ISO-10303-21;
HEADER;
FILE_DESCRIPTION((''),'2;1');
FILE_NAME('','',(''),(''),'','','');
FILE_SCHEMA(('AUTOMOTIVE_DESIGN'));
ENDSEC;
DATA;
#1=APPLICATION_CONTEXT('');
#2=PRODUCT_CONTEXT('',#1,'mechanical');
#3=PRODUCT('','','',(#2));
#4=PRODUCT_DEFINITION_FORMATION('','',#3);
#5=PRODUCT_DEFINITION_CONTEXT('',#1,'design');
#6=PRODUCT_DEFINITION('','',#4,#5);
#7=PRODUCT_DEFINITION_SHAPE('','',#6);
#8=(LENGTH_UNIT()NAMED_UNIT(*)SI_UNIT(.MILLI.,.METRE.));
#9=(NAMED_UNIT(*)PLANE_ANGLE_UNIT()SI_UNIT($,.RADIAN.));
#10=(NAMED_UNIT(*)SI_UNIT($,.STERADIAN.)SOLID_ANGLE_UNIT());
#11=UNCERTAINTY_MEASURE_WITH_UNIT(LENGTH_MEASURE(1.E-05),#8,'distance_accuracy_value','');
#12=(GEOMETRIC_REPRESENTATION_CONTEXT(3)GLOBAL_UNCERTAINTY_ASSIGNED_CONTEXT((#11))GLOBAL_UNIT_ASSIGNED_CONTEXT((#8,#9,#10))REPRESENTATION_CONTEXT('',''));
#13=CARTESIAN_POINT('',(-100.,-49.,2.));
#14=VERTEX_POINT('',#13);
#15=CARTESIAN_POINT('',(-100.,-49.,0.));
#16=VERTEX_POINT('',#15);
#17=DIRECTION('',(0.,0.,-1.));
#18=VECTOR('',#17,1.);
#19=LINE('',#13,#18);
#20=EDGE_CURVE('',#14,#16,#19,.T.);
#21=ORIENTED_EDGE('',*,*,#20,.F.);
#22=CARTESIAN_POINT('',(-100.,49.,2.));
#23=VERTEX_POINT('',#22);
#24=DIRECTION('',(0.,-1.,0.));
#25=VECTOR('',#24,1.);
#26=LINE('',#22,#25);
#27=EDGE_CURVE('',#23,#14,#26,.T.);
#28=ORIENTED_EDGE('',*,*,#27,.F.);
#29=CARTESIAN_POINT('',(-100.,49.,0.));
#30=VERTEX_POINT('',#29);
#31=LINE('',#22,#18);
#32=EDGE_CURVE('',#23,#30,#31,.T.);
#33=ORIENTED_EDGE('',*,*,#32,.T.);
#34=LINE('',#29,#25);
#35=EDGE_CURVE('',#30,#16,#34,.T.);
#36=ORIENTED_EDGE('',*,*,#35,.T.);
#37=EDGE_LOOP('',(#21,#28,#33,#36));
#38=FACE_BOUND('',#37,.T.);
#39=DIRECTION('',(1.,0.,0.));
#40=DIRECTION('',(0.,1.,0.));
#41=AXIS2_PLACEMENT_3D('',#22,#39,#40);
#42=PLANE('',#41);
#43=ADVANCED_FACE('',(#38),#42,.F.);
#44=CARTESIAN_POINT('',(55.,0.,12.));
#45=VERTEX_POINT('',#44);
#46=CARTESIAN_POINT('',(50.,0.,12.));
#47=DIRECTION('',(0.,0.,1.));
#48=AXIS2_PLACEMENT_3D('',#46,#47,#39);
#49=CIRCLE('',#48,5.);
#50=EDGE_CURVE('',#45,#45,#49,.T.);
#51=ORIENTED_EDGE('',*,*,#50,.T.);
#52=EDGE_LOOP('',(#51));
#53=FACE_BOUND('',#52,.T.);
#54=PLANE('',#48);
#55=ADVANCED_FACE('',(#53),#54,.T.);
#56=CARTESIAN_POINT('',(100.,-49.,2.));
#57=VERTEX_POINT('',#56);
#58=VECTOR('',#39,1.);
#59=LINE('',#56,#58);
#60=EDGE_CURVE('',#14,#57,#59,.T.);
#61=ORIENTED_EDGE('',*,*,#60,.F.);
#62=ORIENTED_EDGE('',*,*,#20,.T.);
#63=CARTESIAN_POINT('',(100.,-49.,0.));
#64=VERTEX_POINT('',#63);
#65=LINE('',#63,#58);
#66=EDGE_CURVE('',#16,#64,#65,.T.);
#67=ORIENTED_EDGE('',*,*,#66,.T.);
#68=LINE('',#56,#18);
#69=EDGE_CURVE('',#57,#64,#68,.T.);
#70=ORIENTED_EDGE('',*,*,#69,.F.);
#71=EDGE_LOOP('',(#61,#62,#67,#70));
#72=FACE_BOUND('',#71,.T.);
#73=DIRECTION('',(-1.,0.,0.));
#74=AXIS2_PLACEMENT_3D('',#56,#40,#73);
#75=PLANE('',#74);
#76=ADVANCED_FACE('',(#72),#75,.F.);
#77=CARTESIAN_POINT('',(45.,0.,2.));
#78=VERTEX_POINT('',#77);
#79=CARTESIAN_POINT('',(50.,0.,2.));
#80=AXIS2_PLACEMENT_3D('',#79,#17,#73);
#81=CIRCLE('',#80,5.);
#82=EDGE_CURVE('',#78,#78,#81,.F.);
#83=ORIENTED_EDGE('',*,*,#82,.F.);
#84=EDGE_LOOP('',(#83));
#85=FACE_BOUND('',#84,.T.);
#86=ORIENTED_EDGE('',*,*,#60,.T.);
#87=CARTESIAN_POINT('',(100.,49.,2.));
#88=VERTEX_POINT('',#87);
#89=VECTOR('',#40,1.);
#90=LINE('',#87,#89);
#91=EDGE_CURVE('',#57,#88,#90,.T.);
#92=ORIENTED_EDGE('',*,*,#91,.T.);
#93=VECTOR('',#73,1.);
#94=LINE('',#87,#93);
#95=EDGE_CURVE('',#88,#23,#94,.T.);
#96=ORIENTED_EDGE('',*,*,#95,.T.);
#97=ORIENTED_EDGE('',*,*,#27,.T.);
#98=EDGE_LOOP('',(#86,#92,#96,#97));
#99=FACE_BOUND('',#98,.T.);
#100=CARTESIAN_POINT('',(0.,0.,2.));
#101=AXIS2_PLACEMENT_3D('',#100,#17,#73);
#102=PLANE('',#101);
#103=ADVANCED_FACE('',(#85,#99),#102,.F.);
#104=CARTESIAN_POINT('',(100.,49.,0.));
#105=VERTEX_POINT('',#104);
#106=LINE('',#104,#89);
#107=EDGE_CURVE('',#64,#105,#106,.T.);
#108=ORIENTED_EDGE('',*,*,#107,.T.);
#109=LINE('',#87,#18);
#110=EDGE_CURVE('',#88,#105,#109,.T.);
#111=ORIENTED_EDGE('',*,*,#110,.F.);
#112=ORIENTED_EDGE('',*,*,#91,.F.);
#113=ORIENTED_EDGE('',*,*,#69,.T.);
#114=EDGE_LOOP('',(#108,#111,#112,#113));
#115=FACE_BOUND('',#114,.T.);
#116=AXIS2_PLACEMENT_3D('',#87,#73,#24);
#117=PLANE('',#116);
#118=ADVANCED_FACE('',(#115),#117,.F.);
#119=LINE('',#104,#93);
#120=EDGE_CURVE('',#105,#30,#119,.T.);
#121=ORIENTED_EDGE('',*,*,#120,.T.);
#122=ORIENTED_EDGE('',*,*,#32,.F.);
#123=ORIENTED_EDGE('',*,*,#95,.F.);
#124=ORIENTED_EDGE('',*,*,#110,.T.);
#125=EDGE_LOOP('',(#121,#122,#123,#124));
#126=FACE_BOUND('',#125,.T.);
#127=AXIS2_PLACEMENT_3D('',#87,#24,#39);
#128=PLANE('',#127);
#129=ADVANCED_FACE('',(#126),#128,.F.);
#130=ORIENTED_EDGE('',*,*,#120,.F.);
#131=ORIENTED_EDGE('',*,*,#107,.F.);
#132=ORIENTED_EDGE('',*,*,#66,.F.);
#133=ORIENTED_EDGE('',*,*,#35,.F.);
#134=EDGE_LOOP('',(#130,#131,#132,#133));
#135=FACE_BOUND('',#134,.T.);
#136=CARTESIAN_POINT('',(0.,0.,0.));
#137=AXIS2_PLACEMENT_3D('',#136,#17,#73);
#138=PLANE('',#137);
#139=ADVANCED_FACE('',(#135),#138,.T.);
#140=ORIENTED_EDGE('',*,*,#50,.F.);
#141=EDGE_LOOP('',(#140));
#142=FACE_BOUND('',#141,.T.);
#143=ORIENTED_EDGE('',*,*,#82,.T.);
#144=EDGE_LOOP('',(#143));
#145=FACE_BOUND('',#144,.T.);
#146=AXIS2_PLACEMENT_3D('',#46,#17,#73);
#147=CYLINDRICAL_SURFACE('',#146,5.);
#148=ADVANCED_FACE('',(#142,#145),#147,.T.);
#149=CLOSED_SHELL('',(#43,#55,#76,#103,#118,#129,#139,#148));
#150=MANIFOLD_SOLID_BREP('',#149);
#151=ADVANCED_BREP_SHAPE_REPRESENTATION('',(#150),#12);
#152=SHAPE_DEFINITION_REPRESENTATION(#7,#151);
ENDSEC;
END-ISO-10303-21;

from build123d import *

# Parameters (mm, degrees)
SKETCH_1_W      = 200
SKETCH_1_H      = 98
EXTRUDE_1_DEPTH = 2
SKETCH_2_R      = 5
EXTRUDE_2_DEPTH = 10


with BuildPart() as part:
    # 草图1 → 凸台-拉伸1 (new body)
    with BuildSketch(Plane.XY):
        Rectangle(SKETCH_1_W, SKETCH_1_H)
    extrude(amount=EXTRUDE_1_DEPTH)

    # 草图2 → 凸台-拉伸2 (add)
    with BuildSketch(Plane.XY.offset(2)):
        with Locations(Location((50, 0, 0), (0, 0, 180))):
            Circle(SKETCH_2_R)
    extrude(amount=EXTRUDE_2_DEPTH)


solid = part.part
